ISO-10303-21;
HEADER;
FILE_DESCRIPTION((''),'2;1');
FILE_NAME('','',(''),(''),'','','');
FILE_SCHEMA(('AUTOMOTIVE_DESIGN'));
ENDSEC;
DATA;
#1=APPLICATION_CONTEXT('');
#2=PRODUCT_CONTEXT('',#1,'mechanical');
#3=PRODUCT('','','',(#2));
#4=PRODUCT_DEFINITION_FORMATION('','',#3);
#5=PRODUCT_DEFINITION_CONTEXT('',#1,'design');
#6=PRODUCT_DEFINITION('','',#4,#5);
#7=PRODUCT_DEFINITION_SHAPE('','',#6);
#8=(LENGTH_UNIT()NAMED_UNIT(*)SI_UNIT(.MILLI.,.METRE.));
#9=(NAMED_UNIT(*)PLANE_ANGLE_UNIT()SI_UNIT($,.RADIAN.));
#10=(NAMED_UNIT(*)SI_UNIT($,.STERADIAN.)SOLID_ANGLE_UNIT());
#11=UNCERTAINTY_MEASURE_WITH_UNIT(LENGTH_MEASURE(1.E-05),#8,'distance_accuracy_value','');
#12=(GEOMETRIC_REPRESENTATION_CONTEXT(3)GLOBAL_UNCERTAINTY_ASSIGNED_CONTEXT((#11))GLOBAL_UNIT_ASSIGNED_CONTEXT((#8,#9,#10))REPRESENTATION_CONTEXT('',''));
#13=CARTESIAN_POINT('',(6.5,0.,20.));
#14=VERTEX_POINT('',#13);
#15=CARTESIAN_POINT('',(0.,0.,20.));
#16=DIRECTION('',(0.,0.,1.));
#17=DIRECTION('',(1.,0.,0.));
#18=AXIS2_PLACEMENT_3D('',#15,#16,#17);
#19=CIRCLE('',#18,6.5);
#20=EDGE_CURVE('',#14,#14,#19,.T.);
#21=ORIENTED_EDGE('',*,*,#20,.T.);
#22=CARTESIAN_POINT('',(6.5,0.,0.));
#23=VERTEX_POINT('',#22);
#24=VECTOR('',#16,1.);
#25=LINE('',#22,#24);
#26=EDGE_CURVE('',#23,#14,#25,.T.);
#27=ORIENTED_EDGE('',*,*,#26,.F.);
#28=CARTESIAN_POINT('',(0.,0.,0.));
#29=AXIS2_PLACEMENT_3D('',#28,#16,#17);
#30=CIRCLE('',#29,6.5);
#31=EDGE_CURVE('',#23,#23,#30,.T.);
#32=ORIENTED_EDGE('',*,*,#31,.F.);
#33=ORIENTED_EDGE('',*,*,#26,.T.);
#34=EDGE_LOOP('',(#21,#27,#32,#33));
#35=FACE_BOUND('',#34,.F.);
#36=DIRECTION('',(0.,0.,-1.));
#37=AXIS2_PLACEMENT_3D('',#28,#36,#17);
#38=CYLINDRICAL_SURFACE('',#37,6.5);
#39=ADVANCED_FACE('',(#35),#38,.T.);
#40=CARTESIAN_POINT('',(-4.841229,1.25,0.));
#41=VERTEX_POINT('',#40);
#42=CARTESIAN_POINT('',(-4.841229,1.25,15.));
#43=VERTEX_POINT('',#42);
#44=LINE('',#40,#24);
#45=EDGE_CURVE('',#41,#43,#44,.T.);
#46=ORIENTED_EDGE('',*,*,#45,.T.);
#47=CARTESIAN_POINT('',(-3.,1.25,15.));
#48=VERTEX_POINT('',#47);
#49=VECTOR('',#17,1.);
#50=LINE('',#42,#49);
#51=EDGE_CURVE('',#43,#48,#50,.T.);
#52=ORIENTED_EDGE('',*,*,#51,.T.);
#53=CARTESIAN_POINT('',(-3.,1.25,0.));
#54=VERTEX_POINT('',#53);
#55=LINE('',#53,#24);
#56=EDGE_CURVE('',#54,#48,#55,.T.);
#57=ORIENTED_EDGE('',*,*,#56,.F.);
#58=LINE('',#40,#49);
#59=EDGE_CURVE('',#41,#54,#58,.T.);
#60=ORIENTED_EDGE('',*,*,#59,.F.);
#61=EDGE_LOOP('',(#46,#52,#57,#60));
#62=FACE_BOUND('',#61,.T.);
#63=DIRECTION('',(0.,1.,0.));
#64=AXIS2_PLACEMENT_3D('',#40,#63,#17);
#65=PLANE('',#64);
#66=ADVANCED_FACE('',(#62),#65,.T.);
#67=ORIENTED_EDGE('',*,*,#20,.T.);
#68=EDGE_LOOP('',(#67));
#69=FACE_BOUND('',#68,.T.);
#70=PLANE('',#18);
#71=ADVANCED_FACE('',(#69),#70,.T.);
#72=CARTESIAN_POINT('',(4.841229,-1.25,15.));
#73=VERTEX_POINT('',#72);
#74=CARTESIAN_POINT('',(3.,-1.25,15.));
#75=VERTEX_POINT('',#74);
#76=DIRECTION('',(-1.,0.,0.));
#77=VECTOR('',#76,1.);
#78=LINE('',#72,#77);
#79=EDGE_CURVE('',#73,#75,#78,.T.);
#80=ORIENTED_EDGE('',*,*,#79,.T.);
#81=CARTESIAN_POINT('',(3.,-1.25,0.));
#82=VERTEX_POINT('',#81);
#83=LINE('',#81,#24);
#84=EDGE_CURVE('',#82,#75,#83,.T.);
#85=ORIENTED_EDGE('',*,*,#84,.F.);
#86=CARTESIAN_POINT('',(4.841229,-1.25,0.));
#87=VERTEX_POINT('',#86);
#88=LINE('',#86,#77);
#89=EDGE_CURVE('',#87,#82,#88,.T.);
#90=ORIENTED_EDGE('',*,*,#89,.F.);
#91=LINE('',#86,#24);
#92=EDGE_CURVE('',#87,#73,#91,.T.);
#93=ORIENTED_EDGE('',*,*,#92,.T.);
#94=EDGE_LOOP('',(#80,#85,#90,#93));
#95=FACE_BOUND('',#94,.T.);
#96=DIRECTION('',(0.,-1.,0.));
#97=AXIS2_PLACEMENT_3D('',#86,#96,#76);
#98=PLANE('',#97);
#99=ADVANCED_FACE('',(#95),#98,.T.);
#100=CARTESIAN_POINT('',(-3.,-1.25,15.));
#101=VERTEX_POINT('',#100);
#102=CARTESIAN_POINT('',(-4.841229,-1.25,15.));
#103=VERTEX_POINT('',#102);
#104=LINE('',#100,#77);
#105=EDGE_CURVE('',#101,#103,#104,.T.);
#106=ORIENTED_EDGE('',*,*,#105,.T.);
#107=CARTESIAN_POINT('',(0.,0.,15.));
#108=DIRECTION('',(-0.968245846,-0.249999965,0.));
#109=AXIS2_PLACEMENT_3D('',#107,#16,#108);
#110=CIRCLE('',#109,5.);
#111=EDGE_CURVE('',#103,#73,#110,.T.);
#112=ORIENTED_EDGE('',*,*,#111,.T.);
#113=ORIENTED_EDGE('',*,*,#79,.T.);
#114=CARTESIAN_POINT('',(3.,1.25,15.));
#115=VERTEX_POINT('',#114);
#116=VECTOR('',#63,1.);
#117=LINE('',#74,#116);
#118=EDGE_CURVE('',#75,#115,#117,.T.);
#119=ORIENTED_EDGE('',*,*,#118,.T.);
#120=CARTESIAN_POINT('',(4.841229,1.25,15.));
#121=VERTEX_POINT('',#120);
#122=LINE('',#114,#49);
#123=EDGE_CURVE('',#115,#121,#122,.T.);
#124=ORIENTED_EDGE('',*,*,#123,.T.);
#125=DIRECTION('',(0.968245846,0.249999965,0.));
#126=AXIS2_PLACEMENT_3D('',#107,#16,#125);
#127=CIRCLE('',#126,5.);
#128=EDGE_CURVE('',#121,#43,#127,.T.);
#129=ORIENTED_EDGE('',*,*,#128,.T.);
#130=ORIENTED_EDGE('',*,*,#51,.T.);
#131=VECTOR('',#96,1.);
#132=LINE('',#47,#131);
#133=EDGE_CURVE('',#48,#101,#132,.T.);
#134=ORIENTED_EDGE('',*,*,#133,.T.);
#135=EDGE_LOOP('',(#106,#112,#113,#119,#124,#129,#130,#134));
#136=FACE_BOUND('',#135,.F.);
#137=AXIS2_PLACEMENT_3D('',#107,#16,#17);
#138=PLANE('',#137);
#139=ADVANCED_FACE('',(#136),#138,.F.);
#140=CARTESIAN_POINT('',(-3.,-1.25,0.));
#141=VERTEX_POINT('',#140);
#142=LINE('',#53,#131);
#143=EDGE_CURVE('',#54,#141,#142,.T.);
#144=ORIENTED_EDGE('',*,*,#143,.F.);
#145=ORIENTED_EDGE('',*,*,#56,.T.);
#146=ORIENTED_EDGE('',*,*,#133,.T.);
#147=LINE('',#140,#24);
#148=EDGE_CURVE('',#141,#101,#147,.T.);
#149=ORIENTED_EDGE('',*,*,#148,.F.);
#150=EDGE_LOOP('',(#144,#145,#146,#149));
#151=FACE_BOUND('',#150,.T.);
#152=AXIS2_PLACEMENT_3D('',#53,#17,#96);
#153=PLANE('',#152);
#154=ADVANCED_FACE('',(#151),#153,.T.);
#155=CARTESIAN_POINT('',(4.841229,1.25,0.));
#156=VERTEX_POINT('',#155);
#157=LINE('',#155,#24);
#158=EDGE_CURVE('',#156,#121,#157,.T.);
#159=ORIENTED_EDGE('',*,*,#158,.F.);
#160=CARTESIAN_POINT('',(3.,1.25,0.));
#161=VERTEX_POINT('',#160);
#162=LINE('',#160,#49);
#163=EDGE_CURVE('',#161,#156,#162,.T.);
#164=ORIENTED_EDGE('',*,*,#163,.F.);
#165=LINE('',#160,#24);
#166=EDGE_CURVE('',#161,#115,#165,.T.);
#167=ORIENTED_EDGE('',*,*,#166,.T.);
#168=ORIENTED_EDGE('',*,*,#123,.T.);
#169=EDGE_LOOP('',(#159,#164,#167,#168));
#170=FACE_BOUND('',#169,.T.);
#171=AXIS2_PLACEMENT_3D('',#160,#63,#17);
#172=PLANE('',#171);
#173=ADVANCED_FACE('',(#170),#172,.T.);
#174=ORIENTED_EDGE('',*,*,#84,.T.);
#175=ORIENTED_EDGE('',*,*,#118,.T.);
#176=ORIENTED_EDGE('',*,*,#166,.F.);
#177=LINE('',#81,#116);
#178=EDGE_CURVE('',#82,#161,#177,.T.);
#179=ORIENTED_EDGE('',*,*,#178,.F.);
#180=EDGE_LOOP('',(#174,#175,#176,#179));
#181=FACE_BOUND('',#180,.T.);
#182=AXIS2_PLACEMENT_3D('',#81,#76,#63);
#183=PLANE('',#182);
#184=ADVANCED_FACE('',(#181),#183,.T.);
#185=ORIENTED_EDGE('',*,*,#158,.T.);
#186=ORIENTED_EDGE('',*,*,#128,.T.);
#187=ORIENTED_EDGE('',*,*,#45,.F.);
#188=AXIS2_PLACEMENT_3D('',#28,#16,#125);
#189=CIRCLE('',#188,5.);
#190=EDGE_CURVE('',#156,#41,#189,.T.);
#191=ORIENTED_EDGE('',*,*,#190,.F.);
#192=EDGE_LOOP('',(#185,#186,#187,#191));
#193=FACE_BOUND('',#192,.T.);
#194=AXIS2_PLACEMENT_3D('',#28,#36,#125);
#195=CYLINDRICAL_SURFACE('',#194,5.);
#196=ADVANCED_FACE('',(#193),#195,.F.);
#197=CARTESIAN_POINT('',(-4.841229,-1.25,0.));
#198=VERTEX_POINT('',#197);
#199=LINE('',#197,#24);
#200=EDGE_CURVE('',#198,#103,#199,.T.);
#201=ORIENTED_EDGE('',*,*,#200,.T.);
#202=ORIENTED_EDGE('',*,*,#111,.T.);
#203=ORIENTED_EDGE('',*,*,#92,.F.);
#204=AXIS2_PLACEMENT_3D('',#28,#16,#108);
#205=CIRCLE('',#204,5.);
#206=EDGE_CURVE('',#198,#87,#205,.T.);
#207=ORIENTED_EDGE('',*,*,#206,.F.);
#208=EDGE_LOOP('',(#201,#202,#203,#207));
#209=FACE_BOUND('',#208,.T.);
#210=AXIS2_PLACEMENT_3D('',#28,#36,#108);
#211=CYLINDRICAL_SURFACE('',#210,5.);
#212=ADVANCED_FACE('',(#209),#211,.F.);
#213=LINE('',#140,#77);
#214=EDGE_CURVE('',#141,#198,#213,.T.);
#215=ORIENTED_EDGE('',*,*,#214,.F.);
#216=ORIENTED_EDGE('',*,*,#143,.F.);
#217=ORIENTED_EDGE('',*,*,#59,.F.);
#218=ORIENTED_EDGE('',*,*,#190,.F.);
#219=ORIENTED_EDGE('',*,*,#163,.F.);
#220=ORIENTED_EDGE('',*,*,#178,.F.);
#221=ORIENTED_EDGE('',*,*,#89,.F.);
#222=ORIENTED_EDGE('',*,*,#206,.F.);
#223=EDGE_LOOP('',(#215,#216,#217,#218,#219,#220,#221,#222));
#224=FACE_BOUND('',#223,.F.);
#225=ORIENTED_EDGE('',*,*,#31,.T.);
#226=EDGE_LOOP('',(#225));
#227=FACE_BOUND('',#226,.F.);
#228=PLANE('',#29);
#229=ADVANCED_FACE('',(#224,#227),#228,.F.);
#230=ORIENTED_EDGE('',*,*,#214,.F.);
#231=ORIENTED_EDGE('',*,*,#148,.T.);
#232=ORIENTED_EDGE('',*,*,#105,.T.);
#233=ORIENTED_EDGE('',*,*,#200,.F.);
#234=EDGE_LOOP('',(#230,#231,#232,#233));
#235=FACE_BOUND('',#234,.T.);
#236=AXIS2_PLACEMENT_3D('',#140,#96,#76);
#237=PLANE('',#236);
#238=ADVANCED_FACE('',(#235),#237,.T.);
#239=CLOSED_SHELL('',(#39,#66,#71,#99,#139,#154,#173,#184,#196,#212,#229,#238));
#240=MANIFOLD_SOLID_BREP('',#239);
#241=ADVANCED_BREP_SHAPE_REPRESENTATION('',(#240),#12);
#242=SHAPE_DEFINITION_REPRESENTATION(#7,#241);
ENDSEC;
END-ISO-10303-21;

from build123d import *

# Parameters (mm, degrees)
F1_R     = 6.5
F2_DEPTH = 20
F3_DEPTH = 15


with BuildPart() as f2:
    # F1 (on Top) → F2 (new body)
    with BuildSketch(Plane.XY):
        Circle(F1_R)
    extrude(amount=F2_DEPTH)

    # F0 (on Top) → F3 (cut)
    with BuildSketch(Plane.XY):
        with BuildLine():
            Line((3, 0), (3, 1.25))
            Line((3, 1.25), (4.841229, 1.25))
            ThreePointArc((4.841229, 1.25), (0, 5), (-4.841229, 1.25))
            Line((-4.841229, 1.25), (-3, 1.25))
            Line((-3, 1.25), (-3, 0))
            Line((-3, 0), (-3, -1.25))
            Line((-3, -1.25), (-4.841229, -1.25))
            ThreePointArc((-4.841229, -1.25), (0, -5), (4.841229, -1.25))
            Line((4.841229, -1.25), (3, -1.25))
            Line((3, -1.25), (3, 0))
        make_face()
    extrude(amount=F3_DEPTH, mode=Mode.SUBTRACT)


solid = f2.part
